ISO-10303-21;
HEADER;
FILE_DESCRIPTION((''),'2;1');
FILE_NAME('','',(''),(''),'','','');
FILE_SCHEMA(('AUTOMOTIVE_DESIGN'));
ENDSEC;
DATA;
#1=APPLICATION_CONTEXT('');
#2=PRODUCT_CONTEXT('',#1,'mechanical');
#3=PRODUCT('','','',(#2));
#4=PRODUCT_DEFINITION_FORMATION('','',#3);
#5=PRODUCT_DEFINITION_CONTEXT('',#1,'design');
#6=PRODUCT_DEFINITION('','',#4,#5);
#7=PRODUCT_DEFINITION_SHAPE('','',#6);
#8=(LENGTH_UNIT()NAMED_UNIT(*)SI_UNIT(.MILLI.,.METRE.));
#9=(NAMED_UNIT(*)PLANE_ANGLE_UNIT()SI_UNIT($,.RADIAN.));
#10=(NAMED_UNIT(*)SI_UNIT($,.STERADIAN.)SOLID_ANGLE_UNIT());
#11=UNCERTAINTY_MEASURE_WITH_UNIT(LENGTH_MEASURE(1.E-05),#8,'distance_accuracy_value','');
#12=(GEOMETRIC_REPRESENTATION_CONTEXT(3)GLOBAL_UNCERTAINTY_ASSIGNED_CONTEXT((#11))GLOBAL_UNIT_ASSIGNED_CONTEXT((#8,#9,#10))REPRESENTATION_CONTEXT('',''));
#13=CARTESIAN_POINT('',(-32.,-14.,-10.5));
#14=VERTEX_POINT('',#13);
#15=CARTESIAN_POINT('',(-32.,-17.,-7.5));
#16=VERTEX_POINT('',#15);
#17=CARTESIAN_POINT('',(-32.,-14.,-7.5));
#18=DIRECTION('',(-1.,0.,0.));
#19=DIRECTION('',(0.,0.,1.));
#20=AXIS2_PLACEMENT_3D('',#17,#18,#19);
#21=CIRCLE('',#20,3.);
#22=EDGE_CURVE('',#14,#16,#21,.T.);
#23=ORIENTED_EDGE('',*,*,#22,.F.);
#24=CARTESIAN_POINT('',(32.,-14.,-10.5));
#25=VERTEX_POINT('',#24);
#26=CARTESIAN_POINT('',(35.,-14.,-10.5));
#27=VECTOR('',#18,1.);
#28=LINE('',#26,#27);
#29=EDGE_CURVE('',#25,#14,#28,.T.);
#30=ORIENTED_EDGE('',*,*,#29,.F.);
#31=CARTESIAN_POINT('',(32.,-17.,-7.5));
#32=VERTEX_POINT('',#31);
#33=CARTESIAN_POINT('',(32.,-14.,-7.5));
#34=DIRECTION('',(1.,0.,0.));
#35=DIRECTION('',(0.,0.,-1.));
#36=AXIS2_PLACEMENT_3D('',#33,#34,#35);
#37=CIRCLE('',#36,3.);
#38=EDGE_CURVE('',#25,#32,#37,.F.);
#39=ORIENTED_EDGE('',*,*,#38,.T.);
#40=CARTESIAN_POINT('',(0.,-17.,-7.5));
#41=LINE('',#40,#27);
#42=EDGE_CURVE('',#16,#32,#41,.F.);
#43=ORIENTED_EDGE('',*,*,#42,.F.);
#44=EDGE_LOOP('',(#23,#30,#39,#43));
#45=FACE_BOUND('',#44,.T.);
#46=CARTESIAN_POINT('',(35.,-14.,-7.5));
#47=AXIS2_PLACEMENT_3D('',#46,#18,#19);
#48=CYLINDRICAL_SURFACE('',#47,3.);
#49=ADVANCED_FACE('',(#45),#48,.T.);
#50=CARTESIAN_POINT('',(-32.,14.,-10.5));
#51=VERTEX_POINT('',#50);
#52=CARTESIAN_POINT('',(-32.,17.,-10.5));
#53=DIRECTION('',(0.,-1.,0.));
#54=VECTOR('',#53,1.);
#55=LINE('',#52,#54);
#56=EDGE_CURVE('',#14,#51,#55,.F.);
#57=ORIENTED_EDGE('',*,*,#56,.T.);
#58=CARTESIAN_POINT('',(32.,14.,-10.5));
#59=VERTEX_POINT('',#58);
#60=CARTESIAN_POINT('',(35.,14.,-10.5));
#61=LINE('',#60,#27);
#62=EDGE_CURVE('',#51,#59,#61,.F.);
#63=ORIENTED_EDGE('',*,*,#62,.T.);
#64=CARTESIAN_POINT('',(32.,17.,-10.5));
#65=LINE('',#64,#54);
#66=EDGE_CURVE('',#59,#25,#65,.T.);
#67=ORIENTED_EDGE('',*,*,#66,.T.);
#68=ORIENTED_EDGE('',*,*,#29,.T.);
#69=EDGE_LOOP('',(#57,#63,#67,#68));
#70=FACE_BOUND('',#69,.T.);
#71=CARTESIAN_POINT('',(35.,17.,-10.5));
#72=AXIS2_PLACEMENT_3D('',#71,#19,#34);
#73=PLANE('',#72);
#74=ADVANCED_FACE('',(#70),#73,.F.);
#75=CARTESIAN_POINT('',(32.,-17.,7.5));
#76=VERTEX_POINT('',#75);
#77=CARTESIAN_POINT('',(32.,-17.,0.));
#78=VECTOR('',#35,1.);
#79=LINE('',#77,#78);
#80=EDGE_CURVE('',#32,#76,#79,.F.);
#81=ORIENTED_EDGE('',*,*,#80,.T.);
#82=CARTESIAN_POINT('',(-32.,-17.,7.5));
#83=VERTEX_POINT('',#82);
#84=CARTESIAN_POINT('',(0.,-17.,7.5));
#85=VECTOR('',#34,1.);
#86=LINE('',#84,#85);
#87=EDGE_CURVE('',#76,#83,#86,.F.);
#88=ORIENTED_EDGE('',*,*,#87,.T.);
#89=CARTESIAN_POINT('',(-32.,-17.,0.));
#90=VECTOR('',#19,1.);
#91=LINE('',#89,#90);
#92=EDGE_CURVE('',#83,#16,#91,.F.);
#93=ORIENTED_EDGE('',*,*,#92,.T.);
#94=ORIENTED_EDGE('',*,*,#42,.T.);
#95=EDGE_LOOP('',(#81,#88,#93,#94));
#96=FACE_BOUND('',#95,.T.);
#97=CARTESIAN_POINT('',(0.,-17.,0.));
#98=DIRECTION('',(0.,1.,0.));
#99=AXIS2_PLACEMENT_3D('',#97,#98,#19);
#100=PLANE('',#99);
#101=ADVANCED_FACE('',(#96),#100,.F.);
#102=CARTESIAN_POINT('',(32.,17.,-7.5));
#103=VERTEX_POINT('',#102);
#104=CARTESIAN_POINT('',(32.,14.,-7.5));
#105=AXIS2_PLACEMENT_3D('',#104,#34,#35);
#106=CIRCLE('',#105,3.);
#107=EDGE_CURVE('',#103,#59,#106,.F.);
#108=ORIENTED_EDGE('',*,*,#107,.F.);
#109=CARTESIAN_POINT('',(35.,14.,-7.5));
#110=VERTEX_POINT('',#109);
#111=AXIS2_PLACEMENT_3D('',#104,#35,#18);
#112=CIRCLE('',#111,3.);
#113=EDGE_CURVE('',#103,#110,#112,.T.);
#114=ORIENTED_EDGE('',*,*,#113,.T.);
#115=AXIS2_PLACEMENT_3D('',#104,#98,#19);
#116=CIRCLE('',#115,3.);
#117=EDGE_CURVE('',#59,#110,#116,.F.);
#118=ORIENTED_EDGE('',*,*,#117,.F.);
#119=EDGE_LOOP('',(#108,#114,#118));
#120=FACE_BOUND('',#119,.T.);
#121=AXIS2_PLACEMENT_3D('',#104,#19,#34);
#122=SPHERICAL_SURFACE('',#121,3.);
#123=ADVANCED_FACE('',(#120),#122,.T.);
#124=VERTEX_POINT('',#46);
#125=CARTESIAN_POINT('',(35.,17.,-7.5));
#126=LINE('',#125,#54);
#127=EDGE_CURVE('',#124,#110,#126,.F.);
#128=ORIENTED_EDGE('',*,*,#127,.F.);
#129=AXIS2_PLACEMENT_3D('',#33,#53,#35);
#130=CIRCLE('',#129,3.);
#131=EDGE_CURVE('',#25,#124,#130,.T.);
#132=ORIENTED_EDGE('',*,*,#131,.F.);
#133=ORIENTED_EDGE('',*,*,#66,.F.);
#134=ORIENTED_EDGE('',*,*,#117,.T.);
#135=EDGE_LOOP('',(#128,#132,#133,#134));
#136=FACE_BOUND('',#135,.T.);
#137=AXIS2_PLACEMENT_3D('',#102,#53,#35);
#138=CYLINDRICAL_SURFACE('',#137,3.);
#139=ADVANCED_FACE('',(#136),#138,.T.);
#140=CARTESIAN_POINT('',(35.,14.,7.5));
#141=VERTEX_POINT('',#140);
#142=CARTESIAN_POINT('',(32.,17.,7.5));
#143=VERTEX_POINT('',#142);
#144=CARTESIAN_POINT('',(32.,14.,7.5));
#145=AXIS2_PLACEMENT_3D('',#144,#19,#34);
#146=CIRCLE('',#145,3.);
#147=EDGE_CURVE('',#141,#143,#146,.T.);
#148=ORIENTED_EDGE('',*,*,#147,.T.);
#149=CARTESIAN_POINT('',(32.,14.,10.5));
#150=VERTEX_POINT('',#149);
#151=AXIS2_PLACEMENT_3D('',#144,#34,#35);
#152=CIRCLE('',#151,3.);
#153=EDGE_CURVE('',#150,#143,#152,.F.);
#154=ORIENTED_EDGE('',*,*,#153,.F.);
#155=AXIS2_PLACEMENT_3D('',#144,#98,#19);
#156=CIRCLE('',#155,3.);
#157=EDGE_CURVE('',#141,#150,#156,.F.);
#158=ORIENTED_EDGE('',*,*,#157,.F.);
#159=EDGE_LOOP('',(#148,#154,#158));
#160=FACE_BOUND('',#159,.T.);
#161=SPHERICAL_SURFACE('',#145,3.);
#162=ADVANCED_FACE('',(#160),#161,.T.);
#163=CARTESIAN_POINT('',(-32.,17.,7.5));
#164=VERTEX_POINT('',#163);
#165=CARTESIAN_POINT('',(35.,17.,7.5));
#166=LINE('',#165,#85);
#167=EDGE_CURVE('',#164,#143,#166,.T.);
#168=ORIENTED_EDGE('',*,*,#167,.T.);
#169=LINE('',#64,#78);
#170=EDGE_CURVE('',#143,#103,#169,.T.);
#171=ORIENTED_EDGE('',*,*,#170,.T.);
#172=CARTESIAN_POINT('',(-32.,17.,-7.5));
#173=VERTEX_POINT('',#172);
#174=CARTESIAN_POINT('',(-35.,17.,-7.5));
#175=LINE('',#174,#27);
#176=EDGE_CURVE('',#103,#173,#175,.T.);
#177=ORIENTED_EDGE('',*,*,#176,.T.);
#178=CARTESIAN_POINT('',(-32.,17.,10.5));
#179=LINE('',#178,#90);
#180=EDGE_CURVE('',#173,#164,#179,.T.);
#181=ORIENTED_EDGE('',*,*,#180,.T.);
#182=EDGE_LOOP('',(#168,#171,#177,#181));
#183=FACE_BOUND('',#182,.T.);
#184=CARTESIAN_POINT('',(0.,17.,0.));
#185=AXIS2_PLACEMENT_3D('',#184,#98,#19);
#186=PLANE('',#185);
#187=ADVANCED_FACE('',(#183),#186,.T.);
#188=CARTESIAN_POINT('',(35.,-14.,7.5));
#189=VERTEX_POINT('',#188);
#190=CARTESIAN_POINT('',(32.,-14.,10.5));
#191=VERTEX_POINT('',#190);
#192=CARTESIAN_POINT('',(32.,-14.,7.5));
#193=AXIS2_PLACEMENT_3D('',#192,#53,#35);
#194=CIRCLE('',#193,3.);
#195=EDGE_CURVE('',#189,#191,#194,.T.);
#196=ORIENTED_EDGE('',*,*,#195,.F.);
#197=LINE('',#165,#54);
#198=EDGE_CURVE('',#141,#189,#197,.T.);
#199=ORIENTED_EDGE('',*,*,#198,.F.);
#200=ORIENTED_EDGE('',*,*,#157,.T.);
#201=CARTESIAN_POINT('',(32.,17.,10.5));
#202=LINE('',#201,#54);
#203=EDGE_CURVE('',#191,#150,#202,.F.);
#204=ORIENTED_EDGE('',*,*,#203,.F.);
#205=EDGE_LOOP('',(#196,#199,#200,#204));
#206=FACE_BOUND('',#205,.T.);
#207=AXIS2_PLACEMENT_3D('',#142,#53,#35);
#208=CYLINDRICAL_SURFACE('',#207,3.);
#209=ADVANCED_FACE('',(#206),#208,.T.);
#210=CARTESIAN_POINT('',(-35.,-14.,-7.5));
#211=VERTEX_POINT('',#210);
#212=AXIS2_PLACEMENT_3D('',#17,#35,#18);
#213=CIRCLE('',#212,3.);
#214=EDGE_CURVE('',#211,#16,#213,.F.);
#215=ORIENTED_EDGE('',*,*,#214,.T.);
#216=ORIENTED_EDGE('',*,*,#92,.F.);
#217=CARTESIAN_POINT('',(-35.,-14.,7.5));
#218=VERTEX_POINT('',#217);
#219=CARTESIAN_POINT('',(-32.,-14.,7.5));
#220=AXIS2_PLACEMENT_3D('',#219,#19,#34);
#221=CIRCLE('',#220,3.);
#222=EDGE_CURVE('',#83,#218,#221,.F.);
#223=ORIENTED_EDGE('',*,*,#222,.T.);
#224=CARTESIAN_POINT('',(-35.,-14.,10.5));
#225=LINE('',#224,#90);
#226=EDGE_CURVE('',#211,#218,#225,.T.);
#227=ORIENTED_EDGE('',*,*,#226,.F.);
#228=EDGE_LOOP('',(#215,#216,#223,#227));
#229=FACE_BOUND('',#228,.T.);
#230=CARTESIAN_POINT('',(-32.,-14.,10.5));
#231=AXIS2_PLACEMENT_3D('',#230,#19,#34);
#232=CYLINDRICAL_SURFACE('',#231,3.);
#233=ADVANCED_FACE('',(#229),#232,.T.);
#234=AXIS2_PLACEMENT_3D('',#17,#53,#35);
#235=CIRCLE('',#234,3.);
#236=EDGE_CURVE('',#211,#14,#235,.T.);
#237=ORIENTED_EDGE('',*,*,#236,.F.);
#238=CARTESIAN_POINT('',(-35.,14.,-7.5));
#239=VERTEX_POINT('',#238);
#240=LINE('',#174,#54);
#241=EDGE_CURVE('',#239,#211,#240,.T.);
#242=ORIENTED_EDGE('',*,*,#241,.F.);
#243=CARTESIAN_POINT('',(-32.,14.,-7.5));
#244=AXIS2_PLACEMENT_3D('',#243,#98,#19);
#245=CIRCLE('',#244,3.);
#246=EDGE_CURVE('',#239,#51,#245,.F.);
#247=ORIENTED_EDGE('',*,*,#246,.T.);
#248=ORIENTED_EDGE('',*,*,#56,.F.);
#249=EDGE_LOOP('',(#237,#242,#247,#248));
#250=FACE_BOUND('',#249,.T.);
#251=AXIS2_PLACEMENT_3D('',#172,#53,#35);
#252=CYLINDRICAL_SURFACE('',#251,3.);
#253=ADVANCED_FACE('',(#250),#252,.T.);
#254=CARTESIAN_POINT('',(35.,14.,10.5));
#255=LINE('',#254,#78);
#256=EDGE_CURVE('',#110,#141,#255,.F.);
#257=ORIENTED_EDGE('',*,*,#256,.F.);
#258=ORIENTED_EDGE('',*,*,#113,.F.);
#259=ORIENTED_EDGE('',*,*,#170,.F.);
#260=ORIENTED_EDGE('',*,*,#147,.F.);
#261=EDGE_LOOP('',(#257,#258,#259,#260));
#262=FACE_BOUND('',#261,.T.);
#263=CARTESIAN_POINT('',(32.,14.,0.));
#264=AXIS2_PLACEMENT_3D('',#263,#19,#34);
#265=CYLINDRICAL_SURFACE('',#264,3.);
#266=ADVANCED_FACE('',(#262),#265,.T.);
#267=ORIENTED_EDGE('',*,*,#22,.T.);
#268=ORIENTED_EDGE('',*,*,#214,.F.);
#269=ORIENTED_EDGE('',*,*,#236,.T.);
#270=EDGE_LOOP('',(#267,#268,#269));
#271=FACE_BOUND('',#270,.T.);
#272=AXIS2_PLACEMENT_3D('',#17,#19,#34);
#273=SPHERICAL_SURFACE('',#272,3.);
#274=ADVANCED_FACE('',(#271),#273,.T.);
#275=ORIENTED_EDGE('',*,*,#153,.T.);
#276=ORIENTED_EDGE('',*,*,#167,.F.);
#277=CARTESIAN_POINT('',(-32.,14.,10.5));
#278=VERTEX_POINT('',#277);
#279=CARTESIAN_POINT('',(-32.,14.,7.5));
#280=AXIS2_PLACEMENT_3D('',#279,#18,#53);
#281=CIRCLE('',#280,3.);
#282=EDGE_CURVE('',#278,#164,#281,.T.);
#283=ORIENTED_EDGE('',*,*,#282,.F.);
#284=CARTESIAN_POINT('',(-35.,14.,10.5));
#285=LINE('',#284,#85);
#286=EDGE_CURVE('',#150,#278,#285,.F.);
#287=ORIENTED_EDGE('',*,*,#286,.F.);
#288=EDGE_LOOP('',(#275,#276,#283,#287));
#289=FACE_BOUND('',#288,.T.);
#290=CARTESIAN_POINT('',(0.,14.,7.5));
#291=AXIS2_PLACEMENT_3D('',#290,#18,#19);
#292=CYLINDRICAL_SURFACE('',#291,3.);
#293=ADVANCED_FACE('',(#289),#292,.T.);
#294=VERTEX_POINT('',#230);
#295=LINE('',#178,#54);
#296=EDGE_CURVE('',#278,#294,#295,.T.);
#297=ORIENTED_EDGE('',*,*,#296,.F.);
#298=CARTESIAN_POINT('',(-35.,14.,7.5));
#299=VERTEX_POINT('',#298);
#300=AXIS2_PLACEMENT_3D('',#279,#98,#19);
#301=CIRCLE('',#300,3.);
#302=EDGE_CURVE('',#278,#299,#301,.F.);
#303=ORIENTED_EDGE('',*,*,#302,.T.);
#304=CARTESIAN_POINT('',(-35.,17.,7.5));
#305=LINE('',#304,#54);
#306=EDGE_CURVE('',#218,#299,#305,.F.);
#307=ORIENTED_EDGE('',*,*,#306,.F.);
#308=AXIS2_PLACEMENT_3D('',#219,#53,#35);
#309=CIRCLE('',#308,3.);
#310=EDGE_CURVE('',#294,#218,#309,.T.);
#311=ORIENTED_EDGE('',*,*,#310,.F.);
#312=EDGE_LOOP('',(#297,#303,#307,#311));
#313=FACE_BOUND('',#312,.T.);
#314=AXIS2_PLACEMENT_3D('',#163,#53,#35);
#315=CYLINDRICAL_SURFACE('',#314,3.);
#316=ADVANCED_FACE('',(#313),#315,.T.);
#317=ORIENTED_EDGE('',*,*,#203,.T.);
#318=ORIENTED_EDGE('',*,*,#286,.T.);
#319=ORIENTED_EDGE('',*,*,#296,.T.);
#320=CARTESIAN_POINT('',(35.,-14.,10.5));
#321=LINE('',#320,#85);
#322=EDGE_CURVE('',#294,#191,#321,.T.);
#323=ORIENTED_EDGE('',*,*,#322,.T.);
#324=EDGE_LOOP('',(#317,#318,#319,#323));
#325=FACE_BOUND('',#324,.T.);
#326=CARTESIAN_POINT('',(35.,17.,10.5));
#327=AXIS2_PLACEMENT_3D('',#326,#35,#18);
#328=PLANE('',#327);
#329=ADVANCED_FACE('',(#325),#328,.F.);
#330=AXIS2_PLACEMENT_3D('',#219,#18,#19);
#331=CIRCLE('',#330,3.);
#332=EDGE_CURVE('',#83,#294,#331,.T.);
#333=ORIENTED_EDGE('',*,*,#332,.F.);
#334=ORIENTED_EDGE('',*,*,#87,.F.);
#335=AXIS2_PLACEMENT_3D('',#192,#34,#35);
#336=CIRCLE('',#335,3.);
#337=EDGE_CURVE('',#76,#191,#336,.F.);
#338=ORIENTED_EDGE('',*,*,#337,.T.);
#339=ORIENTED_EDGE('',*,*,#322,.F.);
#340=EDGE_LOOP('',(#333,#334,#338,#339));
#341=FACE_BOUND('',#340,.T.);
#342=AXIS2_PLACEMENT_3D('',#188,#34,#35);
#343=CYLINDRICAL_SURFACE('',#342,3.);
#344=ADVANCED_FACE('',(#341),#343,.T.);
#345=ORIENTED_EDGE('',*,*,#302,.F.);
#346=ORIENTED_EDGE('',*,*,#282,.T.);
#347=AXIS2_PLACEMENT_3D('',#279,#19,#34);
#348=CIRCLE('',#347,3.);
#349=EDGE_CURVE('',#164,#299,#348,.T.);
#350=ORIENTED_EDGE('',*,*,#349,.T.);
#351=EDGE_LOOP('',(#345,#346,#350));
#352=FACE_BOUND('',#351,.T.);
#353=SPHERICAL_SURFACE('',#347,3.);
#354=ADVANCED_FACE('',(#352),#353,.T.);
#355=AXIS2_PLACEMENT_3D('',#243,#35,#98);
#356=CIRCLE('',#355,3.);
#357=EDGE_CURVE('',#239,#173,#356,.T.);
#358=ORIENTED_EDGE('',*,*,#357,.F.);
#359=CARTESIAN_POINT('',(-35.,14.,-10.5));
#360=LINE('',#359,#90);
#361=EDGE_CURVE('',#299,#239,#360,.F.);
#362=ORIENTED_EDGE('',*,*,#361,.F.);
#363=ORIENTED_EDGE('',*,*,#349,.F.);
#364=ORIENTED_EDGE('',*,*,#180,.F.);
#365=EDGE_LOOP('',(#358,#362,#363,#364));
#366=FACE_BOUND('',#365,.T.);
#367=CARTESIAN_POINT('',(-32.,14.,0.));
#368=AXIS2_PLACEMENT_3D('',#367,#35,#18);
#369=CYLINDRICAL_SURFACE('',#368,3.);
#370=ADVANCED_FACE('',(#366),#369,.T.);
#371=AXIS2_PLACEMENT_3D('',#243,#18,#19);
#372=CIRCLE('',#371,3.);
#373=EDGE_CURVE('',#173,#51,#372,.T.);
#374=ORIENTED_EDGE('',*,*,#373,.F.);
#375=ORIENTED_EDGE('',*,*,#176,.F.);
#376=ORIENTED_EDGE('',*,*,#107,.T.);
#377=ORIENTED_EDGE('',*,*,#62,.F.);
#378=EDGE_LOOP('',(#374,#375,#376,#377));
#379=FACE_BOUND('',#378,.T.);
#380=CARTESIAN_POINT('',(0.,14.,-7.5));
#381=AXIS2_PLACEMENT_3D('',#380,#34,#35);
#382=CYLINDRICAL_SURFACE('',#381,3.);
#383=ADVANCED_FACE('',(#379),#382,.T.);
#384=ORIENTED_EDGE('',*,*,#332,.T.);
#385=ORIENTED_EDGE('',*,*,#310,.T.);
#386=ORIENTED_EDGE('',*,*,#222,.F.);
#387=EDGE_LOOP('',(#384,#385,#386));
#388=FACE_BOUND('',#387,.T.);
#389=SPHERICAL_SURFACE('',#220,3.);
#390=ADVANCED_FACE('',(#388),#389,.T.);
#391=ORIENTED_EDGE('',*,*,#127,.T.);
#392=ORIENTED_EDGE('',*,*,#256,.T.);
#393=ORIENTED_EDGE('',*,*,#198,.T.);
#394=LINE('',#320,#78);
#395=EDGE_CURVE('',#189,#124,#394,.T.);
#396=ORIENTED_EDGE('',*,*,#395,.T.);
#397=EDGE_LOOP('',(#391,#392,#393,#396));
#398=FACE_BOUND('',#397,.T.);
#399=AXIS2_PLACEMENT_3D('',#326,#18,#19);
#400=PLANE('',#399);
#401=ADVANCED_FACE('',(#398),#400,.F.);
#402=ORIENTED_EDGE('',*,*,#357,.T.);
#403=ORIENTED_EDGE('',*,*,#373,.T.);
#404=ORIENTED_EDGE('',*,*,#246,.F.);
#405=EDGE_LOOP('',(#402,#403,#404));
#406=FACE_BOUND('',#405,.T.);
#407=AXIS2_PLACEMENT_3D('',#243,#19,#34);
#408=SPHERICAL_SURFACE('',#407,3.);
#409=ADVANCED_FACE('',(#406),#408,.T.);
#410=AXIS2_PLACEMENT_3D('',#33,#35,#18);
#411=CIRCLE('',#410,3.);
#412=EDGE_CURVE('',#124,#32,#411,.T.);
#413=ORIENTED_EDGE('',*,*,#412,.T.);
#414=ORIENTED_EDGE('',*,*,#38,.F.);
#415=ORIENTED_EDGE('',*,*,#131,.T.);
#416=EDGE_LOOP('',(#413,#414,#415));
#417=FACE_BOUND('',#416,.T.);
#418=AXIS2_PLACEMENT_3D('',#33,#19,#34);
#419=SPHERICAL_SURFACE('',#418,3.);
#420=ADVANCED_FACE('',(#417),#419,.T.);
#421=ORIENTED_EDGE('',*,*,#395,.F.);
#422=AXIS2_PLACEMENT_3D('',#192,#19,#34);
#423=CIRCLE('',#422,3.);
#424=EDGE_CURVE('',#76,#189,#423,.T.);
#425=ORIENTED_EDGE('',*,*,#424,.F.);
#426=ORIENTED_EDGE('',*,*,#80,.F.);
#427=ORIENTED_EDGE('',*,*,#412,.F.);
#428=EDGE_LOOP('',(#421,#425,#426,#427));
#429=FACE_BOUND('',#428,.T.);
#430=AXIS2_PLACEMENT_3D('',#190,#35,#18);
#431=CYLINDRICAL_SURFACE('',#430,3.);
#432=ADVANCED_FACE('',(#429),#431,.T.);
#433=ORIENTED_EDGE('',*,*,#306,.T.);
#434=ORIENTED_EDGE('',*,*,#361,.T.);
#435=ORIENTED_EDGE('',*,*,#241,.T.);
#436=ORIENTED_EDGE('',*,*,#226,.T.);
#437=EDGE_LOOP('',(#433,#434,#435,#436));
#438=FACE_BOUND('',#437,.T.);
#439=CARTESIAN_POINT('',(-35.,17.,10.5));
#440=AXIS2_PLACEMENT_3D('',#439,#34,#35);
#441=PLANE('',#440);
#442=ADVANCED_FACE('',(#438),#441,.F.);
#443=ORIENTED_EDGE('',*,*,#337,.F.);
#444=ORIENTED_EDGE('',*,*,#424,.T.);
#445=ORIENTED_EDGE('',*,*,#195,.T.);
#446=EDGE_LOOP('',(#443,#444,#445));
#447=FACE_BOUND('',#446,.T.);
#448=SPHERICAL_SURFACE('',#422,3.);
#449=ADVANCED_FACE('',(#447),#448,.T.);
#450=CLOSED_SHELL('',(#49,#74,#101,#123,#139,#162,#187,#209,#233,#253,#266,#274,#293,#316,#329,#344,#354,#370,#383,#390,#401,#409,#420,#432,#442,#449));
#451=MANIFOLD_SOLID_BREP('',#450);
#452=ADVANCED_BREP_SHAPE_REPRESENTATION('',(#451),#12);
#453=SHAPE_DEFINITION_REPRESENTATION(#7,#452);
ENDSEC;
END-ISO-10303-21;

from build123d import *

# Parameters (mm, degrees)
SKETCH_1_W      = 70
SKETCH_1_H      = 21
EXTRUDE_1_DEPTH = 17
FILLET_1_R      = 3


with BuildPart() as part:
    # 草图1 → 凸台-拉伸1 (new body, symmetric)
    with BuildSketch(Plane(origin=(0, 0, 0), x_dir=(1, 0, 0), z_dir=(0, 1, 0))):
        Rectangle(SKETCH_1_W, SKETCH_1_H)
    extrude(amount=EXTRUDE_1_DEPTH, both=True)

    # 圆角1
    fillet_1_edges = [part.edges().sort_by_distance(p)[0] for p in [
        (35, 17, 0),
        (0, 17, -10.5),
        (-35, 17, 0),
        (0, -17, -10.5),
        (35, -17, 0),
        (0, -17, 10.5),
        (-35, -17, 0),
        (0, 17, 10.5),
        (-35, 0, -10.5),
        (35, 0, -10.5),
        (35, 0, 10.5),
        (-35, 0, 10.5),
    ]]
    fillet(fillet_1_edges, radius=FILLET_1_R)


solid = part.part
